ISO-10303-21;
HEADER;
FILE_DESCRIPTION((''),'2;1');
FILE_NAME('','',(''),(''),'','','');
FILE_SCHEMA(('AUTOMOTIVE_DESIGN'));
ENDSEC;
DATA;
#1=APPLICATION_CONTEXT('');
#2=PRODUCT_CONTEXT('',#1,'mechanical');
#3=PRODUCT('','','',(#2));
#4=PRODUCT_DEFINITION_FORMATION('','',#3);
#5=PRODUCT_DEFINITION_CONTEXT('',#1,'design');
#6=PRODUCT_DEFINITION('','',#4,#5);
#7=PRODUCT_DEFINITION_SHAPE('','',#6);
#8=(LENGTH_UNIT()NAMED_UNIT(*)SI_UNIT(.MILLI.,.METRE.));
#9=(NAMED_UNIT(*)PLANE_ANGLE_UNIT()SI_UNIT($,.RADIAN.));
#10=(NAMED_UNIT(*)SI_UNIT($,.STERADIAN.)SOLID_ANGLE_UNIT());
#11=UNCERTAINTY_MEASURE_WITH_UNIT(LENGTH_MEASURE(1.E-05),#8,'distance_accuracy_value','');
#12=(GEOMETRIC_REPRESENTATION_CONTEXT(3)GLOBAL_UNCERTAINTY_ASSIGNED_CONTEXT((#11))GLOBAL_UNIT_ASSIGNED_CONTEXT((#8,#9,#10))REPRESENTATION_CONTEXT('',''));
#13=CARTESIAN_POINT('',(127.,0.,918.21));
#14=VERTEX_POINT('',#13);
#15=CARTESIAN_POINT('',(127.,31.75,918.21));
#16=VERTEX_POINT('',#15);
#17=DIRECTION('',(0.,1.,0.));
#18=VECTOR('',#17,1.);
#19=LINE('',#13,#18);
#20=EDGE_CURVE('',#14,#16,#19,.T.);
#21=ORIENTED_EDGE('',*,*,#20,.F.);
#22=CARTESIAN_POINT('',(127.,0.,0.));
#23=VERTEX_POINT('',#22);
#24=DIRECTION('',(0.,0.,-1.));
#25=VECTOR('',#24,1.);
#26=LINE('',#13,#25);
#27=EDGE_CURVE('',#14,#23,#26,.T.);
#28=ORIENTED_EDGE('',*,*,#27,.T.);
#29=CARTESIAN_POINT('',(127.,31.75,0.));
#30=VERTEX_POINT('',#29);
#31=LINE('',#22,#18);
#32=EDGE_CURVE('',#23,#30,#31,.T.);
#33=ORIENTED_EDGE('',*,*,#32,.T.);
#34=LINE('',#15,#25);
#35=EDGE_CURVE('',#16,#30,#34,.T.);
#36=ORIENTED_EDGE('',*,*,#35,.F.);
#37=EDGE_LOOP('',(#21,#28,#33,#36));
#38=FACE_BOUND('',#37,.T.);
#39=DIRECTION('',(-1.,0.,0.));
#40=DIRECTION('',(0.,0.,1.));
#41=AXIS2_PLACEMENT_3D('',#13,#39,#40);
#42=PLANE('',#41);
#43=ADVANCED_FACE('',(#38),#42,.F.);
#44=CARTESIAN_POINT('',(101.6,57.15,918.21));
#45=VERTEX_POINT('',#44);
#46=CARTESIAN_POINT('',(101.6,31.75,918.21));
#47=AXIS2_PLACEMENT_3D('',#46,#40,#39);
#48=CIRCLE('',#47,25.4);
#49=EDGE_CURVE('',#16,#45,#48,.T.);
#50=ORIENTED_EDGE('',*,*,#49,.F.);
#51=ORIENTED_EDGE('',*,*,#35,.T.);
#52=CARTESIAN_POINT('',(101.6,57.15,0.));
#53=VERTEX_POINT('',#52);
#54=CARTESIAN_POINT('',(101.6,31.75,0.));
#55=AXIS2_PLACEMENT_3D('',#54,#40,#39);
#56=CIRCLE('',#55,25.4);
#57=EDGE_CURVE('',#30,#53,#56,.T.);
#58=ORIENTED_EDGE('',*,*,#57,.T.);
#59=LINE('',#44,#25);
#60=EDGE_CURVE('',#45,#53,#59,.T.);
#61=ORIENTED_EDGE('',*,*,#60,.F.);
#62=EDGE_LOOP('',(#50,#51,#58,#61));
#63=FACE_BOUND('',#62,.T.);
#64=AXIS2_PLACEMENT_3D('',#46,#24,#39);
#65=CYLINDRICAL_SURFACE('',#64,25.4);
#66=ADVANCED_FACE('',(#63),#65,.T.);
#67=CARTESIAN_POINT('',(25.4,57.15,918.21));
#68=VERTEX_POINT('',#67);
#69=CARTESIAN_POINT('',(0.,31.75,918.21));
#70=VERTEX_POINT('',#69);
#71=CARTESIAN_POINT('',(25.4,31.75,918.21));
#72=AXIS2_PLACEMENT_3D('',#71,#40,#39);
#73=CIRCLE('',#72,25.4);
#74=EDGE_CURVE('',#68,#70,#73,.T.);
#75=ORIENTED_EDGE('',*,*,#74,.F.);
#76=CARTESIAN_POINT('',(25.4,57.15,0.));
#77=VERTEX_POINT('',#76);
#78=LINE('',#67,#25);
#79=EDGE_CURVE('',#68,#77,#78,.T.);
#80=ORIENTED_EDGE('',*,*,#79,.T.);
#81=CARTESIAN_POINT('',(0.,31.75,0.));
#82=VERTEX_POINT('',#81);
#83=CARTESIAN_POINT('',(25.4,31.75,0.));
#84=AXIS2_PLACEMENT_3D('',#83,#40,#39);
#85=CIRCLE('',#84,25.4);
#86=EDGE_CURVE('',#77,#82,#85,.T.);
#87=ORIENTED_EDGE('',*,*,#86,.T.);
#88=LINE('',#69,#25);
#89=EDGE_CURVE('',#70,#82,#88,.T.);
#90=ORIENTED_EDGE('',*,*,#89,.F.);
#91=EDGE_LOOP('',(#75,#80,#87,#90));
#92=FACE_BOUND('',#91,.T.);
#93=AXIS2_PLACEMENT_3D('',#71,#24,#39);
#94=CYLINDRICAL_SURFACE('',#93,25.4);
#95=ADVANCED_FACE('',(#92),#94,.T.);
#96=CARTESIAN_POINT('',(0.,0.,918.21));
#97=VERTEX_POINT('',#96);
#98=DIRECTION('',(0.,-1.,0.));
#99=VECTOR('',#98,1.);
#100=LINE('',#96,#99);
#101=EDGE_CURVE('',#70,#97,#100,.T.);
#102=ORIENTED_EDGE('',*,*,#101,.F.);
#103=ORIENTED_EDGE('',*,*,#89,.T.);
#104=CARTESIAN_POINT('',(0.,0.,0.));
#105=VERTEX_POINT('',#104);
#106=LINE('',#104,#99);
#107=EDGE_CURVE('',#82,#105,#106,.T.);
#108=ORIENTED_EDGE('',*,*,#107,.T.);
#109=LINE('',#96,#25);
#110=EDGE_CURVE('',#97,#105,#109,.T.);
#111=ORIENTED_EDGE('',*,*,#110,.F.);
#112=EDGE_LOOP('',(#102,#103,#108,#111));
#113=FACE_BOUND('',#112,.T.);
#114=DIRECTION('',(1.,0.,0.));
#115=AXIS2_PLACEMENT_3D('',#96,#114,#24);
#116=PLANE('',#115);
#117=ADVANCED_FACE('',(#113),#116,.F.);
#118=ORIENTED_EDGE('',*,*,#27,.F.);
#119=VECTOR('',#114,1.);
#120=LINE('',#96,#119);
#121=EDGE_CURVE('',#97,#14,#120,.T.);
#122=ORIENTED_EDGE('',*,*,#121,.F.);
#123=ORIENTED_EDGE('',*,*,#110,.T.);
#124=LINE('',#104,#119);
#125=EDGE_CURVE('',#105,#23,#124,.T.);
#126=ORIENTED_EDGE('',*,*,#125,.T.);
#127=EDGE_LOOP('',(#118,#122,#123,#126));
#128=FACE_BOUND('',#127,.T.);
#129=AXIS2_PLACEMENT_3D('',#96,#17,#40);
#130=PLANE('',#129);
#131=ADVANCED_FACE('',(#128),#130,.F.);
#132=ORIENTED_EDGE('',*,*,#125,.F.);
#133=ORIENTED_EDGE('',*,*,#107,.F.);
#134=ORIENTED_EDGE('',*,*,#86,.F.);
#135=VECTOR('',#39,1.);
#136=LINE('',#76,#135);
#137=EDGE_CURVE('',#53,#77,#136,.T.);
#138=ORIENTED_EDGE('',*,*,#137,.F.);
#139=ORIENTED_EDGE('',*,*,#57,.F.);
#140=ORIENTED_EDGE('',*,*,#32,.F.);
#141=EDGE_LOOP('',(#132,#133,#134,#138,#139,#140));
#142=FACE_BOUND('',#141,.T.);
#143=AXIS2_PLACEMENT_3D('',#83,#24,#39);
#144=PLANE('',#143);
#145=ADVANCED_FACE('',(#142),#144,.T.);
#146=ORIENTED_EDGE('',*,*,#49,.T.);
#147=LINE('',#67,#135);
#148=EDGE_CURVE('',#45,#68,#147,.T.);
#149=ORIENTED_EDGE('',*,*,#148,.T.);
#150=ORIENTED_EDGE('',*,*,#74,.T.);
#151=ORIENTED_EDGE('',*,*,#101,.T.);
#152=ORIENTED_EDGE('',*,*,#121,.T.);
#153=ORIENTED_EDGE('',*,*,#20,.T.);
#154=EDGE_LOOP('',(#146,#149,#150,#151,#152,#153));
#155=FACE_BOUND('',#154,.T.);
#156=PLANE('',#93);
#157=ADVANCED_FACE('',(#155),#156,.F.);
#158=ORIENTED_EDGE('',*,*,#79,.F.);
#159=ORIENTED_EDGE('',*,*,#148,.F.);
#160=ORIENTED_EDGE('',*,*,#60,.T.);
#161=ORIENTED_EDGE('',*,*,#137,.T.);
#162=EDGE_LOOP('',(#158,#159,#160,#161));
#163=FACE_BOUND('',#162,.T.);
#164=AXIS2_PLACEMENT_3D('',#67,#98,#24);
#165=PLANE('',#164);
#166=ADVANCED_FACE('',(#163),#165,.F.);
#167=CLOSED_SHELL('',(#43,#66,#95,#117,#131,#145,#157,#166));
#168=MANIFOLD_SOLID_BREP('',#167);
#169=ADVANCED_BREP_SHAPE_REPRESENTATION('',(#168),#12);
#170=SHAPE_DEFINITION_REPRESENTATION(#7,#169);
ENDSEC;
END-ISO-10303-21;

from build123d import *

# Parameters (mm, degrees)
BOSS_EXTRUDE1_DEPTH = 918.21


with BuildPart() as part:
    # Sketch1 → Boss-Extrude1 (new body)
    with BuildSketch(Plane.XY):
        with BuildLine():
            Line((0, 0), (127, 0))
            Line((127, 0), (127, 31.75))
            ThreePointArc((127, 31.75), (119.560512242, 49.710512242), (101.6, 57.15))
            Line((101.6, 57.15), (25.4, 57.15))
            ThreePointArc((25.4, 57.15), (7.439487758, 49.710512242), (0, 31.75))
            Line((0, 31.75), (0, 0))
        make_face()
    extrude(amount=BOSS_EXTRUDE1_DEPTH)


solid = part.part
